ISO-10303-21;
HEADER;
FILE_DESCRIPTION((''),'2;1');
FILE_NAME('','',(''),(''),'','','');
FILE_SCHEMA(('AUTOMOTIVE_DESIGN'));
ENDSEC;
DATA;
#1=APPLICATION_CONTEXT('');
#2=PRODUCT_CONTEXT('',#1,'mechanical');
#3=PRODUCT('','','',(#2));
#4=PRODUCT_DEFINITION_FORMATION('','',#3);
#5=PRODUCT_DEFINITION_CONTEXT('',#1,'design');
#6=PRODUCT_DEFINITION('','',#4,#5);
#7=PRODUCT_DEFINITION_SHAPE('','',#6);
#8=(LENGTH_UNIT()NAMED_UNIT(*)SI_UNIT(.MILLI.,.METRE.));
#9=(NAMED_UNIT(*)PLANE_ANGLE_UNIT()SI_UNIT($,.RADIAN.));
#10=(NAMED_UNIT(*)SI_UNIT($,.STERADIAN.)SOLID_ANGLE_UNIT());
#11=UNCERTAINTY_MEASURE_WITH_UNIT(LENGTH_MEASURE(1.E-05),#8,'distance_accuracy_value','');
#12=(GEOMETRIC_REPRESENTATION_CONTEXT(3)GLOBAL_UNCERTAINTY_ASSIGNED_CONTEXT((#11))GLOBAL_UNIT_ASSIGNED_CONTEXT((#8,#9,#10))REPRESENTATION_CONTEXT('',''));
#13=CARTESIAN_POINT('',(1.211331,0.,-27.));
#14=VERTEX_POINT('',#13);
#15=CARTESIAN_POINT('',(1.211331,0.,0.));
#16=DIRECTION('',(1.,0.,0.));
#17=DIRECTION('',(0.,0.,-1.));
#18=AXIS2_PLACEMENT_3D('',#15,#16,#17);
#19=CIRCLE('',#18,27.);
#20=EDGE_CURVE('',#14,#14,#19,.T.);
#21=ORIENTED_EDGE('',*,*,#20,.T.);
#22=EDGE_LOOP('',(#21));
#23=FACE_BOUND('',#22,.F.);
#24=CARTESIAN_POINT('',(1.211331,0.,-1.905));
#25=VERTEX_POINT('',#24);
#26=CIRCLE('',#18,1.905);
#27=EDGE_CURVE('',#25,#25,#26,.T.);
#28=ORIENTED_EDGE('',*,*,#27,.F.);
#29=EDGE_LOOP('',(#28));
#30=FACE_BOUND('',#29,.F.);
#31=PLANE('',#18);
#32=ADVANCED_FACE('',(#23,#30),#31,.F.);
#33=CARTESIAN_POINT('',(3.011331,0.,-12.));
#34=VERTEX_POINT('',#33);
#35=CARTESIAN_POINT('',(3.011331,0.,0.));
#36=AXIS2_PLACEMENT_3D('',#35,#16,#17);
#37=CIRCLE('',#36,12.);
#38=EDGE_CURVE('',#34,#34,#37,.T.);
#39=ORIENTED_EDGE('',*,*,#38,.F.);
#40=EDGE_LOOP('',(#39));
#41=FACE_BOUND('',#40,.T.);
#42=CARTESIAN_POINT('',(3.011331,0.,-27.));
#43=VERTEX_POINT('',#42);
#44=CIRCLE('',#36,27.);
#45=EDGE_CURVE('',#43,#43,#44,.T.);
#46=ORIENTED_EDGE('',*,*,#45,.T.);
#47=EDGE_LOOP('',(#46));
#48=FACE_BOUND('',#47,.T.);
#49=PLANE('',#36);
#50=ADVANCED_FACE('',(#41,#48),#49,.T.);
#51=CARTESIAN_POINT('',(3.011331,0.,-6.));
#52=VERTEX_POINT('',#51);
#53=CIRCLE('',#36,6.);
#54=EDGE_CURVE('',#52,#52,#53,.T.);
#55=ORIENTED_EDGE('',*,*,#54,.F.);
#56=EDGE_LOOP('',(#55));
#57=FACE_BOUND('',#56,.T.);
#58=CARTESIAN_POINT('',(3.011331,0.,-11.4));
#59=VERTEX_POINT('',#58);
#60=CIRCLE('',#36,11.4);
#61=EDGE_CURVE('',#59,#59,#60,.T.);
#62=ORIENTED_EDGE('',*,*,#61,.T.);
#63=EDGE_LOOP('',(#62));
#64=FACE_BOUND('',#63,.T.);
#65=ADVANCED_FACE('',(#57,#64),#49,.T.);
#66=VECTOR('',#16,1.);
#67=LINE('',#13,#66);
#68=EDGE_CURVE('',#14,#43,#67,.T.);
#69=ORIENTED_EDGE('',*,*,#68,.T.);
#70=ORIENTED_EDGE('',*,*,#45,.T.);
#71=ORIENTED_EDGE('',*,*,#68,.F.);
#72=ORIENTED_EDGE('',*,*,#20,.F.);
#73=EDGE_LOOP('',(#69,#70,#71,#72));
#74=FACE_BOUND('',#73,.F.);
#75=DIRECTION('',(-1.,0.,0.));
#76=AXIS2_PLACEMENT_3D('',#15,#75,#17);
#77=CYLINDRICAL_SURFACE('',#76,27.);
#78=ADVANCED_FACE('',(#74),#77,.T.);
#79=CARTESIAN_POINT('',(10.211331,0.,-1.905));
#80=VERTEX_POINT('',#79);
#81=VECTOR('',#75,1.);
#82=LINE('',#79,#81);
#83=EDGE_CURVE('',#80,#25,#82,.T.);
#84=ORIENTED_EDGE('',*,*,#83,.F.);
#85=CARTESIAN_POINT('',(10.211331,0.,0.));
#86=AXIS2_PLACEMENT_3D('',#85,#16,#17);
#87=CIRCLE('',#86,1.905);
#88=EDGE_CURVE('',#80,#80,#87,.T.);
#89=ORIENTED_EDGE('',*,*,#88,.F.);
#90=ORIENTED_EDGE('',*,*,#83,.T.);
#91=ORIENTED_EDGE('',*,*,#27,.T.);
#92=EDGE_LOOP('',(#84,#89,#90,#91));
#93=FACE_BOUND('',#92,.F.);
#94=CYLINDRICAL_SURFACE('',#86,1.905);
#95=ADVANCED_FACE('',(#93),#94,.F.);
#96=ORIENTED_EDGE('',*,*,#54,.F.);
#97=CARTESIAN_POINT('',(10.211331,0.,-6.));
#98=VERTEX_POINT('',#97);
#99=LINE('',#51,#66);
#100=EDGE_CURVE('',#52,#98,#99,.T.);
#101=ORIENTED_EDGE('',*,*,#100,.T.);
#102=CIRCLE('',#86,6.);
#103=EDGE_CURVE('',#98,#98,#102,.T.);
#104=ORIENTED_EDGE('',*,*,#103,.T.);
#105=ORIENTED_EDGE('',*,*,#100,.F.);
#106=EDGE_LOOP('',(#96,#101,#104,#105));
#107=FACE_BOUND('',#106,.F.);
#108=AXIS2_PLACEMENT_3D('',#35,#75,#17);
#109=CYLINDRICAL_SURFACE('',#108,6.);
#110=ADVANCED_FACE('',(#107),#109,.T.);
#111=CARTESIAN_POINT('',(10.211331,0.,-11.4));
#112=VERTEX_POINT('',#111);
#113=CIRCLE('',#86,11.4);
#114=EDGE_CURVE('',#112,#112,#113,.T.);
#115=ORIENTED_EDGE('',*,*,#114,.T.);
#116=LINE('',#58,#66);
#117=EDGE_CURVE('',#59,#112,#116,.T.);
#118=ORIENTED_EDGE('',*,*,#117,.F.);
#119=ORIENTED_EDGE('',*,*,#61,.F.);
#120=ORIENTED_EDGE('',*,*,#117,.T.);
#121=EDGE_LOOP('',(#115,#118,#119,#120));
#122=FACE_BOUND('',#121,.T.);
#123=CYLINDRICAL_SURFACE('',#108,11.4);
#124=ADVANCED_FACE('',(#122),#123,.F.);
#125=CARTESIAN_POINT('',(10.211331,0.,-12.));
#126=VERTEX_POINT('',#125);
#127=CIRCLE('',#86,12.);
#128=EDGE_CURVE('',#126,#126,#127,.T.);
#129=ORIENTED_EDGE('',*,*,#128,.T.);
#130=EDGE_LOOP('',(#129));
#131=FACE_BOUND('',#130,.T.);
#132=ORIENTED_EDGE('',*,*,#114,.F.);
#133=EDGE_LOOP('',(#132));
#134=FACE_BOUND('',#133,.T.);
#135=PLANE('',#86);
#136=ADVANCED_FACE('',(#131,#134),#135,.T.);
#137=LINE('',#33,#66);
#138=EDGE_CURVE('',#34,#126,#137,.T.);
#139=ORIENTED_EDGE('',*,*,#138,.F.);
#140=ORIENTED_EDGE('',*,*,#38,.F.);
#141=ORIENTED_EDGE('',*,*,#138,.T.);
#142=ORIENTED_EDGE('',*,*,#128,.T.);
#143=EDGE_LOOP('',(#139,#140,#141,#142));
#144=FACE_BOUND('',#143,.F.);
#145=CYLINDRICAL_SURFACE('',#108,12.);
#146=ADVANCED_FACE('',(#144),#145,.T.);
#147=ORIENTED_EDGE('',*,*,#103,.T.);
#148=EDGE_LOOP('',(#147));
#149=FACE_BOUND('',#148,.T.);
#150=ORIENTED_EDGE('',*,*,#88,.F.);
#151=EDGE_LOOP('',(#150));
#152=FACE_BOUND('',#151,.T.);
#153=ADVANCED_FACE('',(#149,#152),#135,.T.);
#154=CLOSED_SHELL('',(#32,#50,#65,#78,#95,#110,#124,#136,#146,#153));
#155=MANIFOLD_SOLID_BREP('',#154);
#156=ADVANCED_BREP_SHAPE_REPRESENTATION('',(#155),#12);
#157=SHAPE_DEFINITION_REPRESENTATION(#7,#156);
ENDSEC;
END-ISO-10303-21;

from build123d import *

# Parameters (mm, degrees)
SPROCKET_R                   = 45
ESTRUSIONE_ESTRUSIONE2_DEPTH = 3
SCHIZZO4_R                   = 10
ESTRUSIONE_ESTRUSIONE4_DEPTH = 12
SCHIZZO5_R                   = 20
SCHIZZO5_R_2                 = 19
ESTRUSIONE_ESTRUSIONE5_DEPTH = 12
SCHIZZO6_R                   = 3.175
TAGLIO_ESTRUSIONE1_DEPTH     = 16
SCALE1_SCALE                 = 0.6


with BuildPart() as part:
    # Sprocket → Estrusione-Estrusione2 (new body)
    with BuildSketch(Plane(origin=(0, 0, 0), x_dir=(0, 0, -1), z_dir=(1, 0, 0))):
        Circle(SPROCKET_R)
    extrude(amount=ESTRUSIONE_ESTRUSIONE2_DEPTH)

    # Schizzo4 → Estrusione-Estrusione4 (add)
    with BuildSketch(Plane(origin=(3, 0, 0), x_dir=(0, 0, -1), z_dir=(1, 0, 0))):
        Circle(SCHIZZO4_R)
    extrude(amount=ESTRUSIONE_ESTRUSIONE4_DEPTH)

    # Schizzo5 → Estrusione-Estrusione5 (add)
    with BuildSketch(Plane(origin=(3, 0, 0), x_dir=(0, 0, -1), z_dir=(1, 0, 0))):
        Circle(SCHIZZO5_R)
        Circle(SCHIZZO5_R_2, mode=Mode.SUBTRACT)
    extrude(amount=ESTRUSIONE_ESTRUSIONE5_DEPTH)

    # Schizzo6 → Taglio-Estrusione1 (cut, through all)
    with BuildSketch(Plane(origin=(15, 0, 0), x_dir=(0, 0, -1), z_dir=(1, 0, 0))):
        Circle(SCHIZZO6_R)
    extrude(amount=-TAGLIO_ESTRUSIONE1_DEPTH, mode=Mode.SUBTRACT)


with BuildPart() as part_1:
    # Scale1: scaled about (3.02832768, 0, 0)
    add(part.part.scale(SCALE1_SCALE).moved(Location((1.211331072, 0, 0))))


solid = part_1.part
